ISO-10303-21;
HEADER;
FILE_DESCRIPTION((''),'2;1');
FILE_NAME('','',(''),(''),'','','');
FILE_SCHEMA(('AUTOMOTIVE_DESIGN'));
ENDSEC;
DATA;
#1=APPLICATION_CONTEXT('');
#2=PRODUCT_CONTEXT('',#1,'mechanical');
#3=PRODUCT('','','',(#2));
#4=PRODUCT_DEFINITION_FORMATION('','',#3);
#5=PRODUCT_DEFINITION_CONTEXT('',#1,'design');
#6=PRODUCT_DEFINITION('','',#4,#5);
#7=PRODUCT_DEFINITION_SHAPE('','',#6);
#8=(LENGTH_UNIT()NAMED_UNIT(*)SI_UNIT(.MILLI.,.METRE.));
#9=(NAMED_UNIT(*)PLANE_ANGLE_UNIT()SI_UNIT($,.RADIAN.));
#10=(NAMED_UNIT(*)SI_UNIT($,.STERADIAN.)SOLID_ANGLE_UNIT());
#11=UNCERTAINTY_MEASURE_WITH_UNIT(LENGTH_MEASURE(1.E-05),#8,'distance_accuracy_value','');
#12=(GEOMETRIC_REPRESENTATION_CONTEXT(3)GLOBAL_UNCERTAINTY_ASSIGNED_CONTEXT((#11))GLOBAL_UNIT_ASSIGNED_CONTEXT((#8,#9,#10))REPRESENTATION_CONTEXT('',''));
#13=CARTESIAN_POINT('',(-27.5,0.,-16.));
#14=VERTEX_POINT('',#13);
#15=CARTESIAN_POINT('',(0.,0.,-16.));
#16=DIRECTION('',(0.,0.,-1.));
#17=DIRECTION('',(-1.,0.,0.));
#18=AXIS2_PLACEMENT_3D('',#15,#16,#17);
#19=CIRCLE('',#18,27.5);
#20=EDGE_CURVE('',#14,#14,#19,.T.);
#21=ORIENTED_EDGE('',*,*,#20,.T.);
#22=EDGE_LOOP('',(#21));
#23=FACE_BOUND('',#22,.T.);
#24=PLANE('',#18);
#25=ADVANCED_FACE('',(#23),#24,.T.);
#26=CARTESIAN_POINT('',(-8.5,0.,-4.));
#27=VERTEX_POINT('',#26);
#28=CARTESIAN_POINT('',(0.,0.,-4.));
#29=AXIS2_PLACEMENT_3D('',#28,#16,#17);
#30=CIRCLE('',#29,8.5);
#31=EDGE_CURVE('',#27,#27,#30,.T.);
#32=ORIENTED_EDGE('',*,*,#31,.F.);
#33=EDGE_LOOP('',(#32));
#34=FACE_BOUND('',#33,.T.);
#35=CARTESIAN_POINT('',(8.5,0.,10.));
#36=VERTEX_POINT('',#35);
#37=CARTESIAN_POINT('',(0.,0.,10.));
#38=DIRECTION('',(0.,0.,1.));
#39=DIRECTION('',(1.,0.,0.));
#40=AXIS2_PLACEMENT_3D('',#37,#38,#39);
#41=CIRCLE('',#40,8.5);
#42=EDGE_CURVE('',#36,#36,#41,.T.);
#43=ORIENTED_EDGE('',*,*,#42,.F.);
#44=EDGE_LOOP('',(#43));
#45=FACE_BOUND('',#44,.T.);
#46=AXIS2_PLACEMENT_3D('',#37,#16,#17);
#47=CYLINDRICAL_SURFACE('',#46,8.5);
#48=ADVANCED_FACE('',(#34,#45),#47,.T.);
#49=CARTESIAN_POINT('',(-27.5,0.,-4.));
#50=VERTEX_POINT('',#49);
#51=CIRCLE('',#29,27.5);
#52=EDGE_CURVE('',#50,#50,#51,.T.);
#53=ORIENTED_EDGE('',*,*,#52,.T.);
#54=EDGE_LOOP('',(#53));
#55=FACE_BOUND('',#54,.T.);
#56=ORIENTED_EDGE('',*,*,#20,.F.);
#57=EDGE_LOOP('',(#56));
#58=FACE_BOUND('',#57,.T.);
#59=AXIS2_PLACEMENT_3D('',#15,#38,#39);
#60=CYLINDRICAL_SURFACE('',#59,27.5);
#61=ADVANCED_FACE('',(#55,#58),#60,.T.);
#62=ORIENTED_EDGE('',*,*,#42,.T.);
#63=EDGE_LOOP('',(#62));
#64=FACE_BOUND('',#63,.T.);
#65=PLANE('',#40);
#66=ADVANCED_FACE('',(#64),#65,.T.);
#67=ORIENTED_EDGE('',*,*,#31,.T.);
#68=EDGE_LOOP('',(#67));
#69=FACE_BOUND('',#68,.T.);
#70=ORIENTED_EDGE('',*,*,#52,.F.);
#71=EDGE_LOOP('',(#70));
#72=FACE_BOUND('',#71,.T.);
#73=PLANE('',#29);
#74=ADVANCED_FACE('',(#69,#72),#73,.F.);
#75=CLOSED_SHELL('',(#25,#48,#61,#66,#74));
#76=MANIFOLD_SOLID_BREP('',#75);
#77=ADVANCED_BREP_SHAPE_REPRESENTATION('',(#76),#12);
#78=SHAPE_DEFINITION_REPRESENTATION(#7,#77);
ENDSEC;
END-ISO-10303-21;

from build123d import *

# Parameters (mm, degrees)
SKETCH1_R           = 8.5
BOSS_EXTRUDE1_DEPTH = 10
SKETCH2_R           = 27.5
BOSS_EXTRUDE2_DEPTH = 6


with BuildPart() as part:
    # Sketch1 → Boss-Extrude1 (new body, symmetric)
    with BuildSketch(Plane.XY):
        Circle(SKETCH1_R)
    extrude(amount=BOSS_EXTRUDE1_DEPTH, both=True)

    # Sketch2 → Boss-Extrude2 (add, symmetric)
    with BuildSketch(Plane(origin=(0, 0, -10), x_dir=(-1, 0, 0), z_dir=(0, 0, -1))):
        Circle(SKETCH2_R)
    extrude(amount=BOSS_EXTRUDE2_DEPTH, both=True)


solid = part.part
